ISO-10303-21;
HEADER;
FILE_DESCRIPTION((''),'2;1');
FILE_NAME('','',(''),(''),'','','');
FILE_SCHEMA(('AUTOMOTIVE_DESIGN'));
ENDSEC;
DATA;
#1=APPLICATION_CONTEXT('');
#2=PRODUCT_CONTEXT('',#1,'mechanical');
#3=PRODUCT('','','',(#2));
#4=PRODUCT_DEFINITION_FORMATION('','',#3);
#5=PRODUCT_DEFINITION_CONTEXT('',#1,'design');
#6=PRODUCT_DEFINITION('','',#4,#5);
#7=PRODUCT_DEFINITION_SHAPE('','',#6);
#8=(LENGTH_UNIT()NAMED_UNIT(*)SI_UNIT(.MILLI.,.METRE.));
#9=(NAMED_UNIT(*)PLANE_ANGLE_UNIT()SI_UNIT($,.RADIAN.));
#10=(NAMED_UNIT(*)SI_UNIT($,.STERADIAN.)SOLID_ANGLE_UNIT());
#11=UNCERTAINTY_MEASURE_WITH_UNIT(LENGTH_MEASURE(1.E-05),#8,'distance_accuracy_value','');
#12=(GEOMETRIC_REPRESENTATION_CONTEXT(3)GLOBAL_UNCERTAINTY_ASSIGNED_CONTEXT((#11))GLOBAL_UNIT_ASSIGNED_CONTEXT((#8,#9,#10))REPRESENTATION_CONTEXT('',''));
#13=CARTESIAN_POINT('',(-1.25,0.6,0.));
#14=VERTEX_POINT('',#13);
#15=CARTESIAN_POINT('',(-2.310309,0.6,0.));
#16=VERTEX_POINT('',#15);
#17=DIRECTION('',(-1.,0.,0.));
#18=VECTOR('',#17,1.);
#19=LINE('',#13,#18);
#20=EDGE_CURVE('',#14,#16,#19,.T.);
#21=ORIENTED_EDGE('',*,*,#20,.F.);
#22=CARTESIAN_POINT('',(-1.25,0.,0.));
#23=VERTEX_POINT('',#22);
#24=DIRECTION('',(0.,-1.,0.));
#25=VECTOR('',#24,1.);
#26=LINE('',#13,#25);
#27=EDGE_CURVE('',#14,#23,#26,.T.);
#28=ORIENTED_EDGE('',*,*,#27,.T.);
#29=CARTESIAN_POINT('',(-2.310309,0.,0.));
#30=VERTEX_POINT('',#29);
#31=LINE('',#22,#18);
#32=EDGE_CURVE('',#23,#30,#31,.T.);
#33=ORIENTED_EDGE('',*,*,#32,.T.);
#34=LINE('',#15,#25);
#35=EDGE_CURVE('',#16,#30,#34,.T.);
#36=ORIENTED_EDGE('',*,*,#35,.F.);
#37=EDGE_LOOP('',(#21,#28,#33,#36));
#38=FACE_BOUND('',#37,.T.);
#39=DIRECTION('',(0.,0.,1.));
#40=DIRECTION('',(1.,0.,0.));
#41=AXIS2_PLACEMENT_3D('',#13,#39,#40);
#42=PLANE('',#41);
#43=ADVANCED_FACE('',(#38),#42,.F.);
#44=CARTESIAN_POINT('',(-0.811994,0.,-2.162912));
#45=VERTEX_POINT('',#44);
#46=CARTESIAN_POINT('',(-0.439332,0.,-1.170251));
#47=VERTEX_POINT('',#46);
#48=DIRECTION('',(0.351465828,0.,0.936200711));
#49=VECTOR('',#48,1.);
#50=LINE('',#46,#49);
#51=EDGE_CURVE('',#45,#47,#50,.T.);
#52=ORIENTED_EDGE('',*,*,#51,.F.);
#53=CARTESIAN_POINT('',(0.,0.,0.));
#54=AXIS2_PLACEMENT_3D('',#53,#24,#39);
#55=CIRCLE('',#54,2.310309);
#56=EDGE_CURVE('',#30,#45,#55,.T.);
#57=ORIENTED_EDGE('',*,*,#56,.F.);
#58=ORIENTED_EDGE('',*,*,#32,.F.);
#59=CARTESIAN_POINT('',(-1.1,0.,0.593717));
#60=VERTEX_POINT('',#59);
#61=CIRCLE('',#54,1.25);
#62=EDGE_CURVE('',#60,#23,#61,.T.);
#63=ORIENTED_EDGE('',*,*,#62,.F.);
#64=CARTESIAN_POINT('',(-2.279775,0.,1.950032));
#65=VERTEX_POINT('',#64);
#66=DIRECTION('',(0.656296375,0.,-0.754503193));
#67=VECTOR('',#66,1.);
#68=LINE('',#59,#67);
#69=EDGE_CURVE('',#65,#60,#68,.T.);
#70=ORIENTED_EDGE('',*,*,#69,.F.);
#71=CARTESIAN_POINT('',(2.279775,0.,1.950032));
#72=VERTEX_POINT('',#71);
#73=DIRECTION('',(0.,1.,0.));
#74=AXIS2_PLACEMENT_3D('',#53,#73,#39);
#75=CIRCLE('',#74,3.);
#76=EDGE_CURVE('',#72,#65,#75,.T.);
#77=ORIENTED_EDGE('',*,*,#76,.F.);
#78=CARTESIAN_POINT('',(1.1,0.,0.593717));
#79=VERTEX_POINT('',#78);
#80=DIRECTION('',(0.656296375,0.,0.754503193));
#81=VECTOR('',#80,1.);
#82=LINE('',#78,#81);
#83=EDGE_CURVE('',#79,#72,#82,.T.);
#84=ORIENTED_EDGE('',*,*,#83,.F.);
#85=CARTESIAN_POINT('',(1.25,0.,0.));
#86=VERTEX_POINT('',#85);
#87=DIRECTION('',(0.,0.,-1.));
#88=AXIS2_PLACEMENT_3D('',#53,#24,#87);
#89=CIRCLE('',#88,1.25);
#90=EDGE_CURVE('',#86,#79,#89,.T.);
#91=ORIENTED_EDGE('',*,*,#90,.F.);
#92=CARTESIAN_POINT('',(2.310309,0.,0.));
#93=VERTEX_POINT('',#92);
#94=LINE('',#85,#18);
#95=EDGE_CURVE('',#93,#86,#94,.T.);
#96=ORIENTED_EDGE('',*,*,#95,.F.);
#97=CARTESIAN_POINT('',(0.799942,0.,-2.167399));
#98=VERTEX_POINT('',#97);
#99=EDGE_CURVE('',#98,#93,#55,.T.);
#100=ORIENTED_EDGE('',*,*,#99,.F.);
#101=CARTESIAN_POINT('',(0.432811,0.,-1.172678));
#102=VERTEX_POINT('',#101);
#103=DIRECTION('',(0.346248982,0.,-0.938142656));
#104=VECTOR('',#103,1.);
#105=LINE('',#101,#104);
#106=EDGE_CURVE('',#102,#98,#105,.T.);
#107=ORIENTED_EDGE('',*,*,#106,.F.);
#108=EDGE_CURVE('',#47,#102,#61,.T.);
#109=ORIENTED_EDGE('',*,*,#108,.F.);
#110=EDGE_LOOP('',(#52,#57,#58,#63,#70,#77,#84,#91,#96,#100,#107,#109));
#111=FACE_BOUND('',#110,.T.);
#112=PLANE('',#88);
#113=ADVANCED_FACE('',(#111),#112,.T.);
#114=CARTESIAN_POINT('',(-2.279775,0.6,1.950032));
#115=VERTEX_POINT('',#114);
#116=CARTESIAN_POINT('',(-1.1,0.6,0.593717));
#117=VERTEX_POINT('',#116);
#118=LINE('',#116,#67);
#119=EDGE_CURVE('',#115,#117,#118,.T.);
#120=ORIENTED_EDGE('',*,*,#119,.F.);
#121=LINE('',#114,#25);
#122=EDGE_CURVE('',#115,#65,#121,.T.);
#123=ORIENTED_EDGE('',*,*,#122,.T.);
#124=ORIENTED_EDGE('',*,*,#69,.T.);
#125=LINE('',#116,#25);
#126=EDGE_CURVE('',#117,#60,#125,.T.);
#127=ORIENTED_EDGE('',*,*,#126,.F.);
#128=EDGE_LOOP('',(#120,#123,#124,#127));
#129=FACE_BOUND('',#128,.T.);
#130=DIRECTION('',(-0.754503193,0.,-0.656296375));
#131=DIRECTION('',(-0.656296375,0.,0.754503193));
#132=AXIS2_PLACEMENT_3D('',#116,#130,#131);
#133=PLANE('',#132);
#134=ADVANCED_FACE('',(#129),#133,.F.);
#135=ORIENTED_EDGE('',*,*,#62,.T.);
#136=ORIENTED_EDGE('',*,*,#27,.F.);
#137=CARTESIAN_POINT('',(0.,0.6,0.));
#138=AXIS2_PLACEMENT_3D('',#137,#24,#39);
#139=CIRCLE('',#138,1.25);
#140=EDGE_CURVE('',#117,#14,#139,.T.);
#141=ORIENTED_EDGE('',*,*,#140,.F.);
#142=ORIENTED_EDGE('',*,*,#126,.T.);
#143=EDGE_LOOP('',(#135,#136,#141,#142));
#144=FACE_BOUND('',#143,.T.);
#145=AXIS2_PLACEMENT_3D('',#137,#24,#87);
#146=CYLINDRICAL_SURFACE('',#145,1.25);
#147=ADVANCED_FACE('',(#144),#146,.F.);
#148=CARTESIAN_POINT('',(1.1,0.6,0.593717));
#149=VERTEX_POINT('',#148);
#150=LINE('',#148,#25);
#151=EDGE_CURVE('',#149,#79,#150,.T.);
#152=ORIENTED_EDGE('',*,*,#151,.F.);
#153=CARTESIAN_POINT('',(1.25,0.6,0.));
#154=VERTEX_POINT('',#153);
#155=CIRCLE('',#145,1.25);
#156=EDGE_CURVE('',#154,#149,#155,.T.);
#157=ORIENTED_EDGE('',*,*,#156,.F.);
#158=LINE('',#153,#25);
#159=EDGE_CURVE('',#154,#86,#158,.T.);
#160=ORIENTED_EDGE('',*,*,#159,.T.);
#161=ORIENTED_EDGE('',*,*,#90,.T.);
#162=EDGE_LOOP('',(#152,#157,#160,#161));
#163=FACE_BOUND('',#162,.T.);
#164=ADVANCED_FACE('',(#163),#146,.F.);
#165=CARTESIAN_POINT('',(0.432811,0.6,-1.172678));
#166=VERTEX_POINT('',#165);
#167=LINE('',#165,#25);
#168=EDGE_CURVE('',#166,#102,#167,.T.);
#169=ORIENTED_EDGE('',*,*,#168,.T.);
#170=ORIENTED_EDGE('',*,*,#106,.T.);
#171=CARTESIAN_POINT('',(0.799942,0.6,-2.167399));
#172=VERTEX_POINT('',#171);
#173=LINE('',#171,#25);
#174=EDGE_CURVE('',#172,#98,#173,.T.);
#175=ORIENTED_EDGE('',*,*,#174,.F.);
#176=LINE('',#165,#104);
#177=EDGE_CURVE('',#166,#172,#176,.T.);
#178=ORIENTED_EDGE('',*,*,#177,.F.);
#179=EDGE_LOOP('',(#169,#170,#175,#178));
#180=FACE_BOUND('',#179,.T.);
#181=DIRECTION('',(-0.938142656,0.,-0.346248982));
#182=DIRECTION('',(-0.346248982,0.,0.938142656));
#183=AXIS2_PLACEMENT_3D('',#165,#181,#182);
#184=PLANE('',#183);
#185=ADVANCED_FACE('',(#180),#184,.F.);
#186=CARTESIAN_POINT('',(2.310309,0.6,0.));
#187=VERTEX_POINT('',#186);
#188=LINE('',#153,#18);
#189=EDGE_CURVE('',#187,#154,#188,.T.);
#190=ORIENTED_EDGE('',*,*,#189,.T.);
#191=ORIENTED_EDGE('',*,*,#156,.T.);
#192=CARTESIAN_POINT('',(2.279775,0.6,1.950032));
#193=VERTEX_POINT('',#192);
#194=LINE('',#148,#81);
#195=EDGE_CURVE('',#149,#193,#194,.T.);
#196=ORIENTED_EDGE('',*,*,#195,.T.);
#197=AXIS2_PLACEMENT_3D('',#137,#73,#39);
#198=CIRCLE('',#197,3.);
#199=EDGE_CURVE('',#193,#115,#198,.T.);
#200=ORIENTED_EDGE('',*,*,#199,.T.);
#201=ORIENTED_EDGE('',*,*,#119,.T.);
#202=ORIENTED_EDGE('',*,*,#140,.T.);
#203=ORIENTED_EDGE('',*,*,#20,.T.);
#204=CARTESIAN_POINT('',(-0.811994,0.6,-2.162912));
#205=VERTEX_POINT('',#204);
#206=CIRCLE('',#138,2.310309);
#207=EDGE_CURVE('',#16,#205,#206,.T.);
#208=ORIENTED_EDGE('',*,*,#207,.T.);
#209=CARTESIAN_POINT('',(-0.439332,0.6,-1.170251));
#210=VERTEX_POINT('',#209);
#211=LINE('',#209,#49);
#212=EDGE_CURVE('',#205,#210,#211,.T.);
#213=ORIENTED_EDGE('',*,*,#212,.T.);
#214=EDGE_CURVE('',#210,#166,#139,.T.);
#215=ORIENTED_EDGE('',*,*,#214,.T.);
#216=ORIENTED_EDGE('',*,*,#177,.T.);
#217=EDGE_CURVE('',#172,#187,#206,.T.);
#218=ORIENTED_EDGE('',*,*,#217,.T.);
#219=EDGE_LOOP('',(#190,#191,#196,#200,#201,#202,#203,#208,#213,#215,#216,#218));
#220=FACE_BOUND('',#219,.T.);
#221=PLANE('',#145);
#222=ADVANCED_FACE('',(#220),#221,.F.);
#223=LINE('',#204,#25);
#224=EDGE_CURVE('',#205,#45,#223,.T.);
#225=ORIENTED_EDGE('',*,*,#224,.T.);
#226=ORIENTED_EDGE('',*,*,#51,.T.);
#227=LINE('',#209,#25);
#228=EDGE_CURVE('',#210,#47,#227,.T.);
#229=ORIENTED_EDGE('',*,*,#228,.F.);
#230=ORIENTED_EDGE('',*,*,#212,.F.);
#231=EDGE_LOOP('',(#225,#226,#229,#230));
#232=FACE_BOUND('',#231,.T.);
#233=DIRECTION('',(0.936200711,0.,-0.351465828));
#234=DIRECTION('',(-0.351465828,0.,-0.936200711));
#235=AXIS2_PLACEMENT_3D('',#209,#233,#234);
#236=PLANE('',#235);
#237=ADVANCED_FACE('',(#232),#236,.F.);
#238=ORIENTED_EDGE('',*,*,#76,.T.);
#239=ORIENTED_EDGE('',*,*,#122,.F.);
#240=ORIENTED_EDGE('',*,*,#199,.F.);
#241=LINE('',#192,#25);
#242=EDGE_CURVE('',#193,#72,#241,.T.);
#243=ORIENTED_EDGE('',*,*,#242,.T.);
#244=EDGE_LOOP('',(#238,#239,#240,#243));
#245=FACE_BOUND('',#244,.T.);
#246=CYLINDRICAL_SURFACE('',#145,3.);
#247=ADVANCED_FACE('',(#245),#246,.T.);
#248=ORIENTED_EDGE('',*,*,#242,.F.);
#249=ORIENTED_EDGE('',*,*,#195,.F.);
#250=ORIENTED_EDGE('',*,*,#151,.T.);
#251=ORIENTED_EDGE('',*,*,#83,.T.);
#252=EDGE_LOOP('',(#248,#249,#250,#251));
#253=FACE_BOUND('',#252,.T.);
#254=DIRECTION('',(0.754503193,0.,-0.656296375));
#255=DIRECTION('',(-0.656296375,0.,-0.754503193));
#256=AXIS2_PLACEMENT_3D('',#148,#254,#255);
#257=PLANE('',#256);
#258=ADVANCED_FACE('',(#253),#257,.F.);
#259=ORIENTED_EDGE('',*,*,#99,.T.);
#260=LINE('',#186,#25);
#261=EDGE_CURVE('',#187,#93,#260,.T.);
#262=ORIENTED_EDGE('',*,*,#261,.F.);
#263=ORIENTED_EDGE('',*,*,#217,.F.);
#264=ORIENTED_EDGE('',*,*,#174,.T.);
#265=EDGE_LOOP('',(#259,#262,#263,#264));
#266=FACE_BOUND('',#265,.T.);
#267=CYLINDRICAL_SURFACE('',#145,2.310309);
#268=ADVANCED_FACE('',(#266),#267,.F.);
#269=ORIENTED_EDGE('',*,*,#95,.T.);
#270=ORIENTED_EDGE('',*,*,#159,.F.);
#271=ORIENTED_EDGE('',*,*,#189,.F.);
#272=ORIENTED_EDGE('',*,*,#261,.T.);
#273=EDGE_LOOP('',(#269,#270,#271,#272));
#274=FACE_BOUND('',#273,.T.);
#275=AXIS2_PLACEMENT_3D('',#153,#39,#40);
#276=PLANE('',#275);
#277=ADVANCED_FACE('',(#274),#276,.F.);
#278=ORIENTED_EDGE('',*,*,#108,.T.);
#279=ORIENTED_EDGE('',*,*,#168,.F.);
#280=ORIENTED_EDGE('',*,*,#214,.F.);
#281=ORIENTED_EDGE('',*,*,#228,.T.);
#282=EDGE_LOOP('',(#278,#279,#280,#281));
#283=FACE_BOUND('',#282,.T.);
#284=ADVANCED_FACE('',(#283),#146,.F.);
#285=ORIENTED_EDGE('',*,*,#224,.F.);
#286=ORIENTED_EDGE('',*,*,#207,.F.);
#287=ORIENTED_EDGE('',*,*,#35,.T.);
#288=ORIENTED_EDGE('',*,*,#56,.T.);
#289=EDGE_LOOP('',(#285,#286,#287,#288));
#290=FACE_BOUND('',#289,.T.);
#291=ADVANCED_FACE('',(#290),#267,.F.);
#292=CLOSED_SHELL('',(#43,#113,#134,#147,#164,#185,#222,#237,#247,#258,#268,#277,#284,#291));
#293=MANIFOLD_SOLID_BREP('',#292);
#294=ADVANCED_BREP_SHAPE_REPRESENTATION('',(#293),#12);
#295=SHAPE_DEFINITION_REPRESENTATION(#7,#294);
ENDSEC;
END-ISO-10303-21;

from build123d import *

# Parameters (mm, degrees)
EXTRUDE_1_DEPTH = 0.6


with BuildPart() as part:
    # 草图1 → 凸台-拉伸1 (new body)
    with BuildSketch(Plane(origin=(0, 0, 0), x_dir=(1, 0, 0), z_dir=(0, 1, 0))):
        with BuildLine():
            Line((-1.1, -0.593717104), (-2.279775485, -1.950031727))
            ThreePointArc((-2.279775485, -1.950031727), (0, 3), (2.279775485, -1.950031727))
            Line((2.279775485, -1.950031727), (1.1, -0.593717104))
            ThreePointArc((1.1, -0.593717104), (1.211919964, -0.306186218), (1.25, 0))
            Line((1.25, 0), (2.310308518, 0))
            ThreePointArc((2.310308518, 0), (1.895473318, 1.320873328), (0.799941971, 2.167398968))
            Line((0.799941971, 2.167398968), (0.432811227, 1.17267832))
            ThreePointArc((0.432811227, 1.17267832), (-0.003479103, 1.249995158), (-0.439332285, 1.170250889))
            Line((-0.439332285, 1.170250889), (-0.811994497, 2.162912477))
            ThreePointArc((-0.811994497, 2.162912477), (-1.899142339, 1.315592574), (-2.310308518, 0))
            Line((-2.310308518, 0), (-1.25, 0))
            ThreePointArc((-1.25, 0), (-1.211919964, -0.306186218), (-1.1, -0.593717104))
        make_face()
    extrude(amount=EXTRUDE_1_DEPTH)


solid = part.part
